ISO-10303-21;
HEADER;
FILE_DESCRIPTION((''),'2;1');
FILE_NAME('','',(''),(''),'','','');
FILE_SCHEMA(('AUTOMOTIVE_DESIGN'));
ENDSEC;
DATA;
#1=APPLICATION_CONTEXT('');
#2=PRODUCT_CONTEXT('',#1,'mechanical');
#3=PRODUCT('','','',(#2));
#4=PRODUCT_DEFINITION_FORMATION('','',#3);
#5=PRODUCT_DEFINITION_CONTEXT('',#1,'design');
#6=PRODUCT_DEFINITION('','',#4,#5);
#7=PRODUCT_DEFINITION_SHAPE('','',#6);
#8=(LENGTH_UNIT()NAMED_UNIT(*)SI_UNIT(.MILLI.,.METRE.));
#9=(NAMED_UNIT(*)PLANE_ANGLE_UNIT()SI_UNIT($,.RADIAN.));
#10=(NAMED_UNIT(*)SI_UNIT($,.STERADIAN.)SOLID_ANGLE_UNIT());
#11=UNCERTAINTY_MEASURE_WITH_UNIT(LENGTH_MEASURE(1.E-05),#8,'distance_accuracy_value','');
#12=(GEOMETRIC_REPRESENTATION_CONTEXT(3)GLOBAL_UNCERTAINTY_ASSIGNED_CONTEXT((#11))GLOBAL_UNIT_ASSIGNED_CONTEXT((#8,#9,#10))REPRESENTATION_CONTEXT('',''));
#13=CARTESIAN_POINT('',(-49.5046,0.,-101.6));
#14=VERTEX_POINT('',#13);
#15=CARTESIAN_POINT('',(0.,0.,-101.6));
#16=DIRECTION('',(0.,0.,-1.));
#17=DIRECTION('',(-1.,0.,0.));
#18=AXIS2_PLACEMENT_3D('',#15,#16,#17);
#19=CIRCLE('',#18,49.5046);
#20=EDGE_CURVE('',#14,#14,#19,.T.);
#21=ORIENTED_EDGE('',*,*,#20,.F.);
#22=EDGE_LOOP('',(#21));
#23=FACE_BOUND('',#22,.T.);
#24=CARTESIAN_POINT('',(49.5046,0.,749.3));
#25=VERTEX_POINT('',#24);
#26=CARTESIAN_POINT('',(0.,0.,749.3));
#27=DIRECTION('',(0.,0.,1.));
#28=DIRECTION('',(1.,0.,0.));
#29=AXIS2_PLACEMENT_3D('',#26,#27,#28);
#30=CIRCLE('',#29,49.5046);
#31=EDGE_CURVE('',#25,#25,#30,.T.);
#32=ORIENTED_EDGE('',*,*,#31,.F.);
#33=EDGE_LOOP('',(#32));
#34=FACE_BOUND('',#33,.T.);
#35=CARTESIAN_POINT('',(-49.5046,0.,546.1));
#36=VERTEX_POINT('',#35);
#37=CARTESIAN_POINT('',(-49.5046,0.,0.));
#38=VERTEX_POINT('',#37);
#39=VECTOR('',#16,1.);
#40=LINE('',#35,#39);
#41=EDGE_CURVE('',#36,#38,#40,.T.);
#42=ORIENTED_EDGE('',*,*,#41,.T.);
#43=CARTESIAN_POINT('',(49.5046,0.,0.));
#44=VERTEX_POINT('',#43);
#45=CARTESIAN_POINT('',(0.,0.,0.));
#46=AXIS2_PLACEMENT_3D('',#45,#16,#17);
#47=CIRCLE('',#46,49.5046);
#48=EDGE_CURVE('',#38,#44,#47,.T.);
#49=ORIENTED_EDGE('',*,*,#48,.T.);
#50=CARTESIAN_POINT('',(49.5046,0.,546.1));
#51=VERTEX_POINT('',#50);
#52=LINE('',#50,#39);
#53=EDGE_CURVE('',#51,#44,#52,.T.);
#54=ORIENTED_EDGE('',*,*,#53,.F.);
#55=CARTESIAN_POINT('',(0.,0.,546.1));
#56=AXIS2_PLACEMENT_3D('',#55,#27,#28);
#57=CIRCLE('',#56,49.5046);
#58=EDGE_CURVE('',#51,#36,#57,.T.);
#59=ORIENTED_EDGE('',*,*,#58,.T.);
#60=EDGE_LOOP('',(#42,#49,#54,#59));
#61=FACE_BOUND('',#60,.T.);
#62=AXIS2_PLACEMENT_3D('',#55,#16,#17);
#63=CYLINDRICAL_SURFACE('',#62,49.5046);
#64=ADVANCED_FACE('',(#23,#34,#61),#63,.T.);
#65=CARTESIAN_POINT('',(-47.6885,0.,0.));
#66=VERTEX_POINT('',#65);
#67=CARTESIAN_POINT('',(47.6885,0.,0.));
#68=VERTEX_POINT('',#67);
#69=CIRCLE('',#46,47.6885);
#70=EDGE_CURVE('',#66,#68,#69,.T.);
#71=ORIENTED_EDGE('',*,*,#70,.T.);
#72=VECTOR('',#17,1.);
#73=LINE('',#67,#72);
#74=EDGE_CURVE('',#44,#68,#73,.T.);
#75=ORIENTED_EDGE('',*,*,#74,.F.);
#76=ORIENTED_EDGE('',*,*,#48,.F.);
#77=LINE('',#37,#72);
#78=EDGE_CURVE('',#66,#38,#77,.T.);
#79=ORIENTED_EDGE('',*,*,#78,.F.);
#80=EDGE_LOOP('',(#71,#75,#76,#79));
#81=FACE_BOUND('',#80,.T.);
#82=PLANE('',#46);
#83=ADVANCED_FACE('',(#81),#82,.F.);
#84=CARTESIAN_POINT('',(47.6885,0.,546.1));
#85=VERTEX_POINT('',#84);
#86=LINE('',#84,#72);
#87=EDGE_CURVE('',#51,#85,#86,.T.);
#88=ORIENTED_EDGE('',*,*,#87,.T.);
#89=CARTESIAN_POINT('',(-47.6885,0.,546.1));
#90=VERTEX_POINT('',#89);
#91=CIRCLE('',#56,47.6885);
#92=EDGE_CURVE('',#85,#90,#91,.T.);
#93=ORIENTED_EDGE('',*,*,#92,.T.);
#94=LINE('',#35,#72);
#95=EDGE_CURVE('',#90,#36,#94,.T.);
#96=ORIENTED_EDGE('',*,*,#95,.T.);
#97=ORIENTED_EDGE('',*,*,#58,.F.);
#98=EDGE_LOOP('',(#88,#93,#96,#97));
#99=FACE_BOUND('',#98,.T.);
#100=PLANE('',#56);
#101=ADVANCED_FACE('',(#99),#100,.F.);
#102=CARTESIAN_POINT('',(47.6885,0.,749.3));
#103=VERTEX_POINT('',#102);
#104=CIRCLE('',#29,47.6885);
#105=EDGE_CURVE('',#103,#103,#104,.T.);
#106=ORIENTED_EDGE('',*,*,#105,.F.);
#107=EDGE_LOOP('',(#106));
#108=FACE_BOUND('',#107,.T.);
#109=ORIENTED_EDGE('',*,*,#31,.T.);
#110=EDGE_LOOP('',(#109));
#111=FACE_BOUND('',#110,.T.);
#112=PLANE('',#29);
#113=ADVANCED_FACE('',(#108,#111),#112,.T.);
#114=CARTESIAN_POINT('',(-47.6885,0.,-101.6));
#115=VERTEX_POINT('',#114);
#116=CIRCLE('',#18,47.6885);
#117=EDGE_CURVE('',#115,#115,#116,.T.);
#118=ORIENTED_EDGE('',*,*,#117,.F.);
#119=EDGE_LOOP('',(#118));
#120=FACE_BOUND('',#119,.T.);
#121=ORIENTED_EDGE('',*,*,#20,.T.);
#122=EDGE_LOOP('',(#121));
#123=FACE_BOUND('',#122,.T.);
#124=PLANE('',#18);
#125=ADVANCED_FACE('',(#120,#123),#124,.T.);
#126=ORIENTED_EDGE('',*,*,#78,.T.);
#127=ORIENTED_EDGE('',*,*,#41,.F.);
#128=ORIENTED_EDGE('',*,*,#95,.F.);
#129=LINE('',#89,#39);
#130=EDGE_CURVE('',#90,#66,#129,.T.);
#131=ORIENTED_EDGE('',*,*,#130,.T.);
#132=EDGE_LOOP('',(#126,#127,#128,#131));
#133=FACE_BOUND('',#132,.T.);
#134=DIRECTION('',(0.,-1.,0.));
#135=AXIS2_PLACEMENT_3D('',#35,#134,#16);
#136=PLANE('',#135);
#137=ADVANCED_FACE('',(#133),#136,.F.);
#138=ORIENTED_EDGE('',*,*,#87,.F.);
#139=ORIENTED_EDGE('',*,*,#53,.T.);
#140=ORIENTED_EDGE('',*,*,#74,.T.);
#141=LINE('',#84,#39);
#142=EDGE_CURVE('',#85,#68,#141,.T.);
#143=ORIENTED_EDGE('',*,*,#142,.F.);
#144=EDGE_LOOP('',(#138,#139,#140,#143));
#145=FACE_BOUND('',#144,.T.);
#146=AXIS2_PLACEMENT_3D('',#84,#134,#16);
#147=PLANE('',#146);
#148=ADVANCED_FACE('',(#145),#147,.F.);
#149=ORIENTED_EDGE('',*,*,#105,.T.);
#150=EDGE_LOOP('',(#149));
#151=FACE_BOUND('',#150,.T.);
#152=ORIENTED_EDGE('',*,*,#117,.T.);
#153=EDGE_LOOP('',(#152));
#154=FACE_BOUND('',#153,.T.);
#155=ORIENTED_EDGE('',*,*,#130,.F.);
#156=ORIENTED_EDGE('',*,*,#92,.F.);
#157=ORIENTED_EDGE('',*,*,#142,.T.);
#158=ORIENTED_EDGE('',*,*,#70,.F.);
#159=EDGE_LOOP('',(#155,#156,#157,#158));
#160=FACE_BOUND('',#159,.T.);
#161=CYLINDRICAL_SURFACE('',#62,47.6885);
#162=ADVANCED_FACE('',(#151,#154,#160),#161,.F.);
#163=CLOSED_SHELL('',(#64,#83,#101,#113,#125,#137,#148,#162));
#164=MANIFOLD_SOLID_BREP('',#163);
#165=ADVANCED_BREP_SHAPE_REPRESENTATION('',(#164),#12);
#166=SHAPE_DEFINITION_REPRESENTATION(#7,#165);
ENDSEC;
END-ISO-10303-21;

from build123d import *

# Parameters (mm, degrees)
BOSS_EXTRUDE1_DEPTH = 546.1
SKETCH2_R           = 49.5046
SKETCH2_R_2         = 47.6885
BOSS_EXTRUDE2_DEPTH = 203.2
BOSS_EXTRUDE3_START = 101.6
SKETCH3_R           = 49.5046
SKETCH3_R_2         = 47.6885
BOSS_EXTRUDE3_DEPTH = 101.6


with BuildPart() as part:
    # Sketch1 → Boss-Extrude1 (new body)
    with BuildSketch(Plane.XY):
        with BuildLine():
            Line((-49.5046, 0), (-47.6885, 0))
            ThreePointArc((-47.6885, 0), (0, -47.6885), (47.6885, 0))
            Line((47.6885, 0), (49.5046, 0))
            ThreePointArc((49.5046, 0), (0, -49.5046), (-49.5046, 0))
        make_face()
    extrude(amount=BOSS_EXTRUDE1_DEPTH)

    # Sketch2 → Boss-Extrude2 (add)
    with BuildSketch(Plane.XY.offset(546.1)):
        Circle(SKETCH2_R)
        Circle(SKETCH2_R_2, mode=Mode.SUBTRACT)
    extrude(amount=BOSS_EXTRUDE2_DEPTH)

    # Sketch3 → Boss-Extrude3 (add)
    with BuildSketch(Plane(origin=(0, 0, 0), x_dir=(-1, 0, 0), z_dir=(0, 0, -1)).offset(BOSS_EXTRUDE3_START)):
        Circle(SKETCH3_R)
        Circle(SKETCH3_R_2, mode=Mode.SUBTRACT)
    extrude(amount=-BOSS_EXTRUDE3_DEPTH)


solid = part.part
